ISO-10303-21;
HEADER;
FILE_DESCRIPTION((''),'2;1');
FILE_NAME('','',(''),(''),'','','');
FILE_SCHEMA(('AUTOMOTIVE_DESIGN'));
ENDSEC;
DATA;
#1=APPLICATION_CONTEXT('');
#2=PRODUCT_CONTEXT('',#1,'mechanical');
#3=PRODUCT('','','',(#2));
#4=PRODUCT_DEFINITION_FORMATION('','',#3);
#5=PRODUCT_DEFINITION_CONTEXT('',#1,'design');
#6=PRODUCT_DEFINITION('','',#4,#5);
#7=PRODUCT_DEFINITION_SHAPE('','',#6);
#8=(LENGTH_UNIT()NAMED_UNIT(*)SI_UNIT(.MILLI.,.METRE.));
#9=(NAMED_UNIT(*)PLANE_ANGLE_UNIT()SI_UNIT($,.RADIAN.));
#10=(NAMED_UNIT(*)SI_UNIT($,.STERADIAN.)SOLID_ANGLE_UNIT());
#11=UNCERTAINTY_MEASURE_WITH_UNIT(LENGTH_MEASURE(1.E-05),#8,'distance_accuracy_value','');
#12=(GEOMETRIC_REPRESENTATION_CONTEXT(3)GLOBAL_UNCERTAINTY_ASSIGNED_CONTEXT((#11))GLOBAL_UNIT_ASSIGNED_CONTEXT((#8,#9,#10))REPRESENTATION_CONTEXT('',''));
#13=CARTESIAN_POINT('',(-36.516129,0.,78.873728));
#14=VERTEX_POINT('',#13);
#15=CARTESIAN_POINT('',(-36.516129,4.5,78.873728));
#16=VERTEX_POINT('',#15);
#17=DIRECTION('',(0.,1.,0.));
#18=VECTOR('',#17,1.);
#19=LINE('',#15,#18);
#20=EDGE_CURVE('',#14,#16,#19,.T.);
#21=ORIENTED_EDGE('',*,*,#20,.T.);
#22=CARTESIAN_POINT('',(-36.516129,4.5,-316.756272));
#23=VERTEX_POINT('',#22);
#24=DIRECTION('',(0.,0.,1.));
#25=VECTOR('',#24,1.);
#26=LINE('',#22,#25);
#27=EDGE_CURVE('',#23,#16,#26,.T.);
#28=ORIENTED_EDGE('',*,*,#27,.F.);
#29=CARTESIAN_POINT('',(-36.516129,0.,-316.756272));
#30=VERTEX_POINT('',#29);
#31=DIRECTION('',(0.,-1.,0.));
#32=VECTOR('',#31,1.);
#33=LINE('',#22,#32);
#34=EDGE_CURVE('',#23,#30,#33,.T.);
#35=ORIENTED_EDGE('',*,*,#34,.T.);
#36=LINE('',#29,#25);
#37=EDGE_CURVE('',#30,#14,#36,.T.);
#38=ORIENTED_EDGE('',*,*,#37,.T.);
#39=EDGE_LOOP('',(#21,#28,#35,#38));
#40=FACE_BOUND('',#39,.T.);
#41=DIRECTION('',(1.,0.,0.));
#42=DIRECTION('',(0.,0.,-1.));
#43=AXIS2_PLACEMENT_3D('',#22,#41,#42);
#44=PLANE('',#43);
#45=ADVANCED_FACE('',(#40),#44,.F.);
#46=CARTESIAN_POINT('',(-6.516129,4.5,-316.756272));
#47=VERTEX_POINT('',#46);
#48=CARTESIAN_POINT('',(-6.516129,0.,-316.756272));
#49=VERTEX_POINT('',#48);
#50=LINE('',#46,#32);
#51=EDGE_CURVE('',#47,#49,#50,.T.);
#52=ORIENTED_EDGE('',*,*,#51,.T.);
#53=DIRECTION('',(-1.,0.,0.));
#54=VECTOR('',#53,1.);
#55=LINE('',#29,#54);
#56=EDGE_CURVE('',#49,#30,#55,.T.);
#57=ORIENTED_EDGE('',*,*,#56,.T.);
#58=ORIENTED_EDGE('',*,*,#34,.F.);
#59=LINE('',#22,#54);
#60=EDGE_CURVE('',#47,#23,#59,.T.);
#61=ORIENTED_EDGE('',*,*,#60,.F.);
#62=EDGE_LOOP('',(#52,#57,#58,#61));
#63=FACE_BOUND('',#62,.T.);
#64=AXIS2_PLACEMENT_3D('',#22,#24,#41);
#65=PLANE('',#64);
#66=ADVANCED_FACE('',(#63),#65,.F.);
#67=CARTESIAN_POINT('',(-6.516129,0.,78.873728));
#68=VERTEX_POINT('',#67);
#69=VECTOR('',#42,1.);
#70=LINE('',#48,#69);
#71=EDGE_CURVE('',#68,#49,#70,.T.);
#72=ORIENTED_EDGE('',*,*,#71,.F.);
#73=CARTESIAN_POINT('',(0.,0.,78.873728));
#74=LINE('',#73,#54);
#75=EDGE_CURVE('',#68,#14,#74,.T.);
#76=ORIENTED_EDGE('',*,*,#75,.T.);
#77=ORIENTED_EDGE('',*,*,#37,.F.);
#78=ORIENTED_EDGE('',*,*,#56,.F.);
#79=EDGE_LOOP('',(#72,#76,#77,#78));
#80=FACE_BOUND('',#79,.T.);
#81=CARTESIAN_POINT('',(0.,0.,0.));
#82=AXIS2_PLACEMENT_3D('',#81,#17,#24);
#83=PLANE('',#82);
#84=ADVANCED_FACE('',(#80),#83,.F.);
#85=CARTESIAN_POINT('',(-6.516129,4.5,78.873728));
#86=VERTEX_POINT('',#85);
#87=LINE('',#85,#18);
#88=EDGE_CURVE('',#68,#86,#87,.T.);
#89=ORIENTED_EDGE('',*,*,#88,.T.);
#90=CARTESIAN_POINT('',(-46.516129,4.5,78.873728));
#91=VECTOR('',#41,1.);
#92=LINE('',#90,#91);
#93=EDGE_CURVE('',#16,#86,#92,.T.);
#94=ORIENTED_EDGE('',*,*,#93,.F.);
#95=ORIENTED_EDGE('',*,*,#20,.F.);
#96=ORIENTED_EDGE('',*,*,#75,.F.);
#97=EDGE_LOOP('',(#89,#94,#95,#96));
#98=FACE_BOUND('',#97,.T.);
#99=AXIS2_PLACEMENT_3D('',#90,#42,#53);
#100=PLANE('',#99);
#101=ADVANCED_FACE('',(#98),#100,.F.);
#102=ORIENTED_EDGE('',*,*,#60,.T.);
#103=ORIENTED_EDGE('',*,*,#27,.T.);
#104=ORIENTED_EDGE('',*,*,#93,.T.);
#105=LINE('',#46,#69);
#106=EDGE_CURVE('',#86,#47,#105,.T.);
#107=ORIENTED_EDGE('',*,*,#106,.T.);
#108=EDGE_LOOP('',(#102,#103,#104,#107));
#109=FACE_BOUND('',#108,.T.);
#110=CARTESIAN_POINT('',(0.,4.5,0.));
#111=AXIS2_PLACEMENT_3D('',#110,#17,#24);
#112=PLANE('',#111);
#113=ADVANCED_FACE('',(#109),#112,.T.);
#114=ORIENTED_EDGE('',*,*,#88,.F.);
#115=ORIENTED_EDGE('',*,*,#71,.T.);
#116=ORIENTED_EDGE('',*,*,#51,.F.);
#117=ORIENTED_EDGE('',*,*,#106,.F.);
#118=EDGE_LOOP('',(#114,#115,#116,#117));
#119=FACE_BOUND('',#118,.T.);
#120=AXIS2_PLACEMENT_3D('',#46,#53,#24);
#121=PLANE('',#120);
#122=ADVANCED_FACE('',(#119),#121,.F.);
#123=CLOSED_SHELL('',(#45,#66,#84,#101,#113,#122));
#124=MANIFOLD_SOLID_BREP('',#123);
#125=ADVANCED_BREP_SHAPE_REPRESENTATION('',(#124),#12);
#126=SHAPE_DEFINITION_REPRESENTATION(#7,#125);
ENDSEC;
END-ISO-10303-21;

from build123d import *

# Parameters (mm, degrees)
SKETCH1_W           = 30
SKETCH1_H           = 404
BOSS_EXTRUDE1_DEPTH = 4.5
SKETCH2_W           = 8.37
SKETCH2_H           = 4.5
CUT_EXTRUDE1_DEPTH  = 40


with BuildPart() as part:
    # Sketch1 → Boss-Extrude1 (new body)
    with BuildSketch(Plane(origin=(0, 0, 0), x_dir=(1, 0, 0), z_dir=(0, 1, 0))):
        with Locations((-21.516129032, 114.756272401)):
            Rectangle(SKETCH1_W, SKETCH1_H)
    extrude(amount=BOSS_EXTRUDE1_DEPTH)

    # Sketch2 → Cut-Extrude1 (cut)
    with BuildSketch(Plane(origin=(-6.516129032, 0, 0), x_dir=(0, 0, -1), z_dir=(1, 0, 0))):
        with Locations((-83.058727599, 2.25)):
            Rectangle(SKETCH2_W, SKETCH2_H)
    extrude(amount=-CUT_EXTRUDE1_DEPTH, mode=Mode.SUBTRACT)


solid = part.part
